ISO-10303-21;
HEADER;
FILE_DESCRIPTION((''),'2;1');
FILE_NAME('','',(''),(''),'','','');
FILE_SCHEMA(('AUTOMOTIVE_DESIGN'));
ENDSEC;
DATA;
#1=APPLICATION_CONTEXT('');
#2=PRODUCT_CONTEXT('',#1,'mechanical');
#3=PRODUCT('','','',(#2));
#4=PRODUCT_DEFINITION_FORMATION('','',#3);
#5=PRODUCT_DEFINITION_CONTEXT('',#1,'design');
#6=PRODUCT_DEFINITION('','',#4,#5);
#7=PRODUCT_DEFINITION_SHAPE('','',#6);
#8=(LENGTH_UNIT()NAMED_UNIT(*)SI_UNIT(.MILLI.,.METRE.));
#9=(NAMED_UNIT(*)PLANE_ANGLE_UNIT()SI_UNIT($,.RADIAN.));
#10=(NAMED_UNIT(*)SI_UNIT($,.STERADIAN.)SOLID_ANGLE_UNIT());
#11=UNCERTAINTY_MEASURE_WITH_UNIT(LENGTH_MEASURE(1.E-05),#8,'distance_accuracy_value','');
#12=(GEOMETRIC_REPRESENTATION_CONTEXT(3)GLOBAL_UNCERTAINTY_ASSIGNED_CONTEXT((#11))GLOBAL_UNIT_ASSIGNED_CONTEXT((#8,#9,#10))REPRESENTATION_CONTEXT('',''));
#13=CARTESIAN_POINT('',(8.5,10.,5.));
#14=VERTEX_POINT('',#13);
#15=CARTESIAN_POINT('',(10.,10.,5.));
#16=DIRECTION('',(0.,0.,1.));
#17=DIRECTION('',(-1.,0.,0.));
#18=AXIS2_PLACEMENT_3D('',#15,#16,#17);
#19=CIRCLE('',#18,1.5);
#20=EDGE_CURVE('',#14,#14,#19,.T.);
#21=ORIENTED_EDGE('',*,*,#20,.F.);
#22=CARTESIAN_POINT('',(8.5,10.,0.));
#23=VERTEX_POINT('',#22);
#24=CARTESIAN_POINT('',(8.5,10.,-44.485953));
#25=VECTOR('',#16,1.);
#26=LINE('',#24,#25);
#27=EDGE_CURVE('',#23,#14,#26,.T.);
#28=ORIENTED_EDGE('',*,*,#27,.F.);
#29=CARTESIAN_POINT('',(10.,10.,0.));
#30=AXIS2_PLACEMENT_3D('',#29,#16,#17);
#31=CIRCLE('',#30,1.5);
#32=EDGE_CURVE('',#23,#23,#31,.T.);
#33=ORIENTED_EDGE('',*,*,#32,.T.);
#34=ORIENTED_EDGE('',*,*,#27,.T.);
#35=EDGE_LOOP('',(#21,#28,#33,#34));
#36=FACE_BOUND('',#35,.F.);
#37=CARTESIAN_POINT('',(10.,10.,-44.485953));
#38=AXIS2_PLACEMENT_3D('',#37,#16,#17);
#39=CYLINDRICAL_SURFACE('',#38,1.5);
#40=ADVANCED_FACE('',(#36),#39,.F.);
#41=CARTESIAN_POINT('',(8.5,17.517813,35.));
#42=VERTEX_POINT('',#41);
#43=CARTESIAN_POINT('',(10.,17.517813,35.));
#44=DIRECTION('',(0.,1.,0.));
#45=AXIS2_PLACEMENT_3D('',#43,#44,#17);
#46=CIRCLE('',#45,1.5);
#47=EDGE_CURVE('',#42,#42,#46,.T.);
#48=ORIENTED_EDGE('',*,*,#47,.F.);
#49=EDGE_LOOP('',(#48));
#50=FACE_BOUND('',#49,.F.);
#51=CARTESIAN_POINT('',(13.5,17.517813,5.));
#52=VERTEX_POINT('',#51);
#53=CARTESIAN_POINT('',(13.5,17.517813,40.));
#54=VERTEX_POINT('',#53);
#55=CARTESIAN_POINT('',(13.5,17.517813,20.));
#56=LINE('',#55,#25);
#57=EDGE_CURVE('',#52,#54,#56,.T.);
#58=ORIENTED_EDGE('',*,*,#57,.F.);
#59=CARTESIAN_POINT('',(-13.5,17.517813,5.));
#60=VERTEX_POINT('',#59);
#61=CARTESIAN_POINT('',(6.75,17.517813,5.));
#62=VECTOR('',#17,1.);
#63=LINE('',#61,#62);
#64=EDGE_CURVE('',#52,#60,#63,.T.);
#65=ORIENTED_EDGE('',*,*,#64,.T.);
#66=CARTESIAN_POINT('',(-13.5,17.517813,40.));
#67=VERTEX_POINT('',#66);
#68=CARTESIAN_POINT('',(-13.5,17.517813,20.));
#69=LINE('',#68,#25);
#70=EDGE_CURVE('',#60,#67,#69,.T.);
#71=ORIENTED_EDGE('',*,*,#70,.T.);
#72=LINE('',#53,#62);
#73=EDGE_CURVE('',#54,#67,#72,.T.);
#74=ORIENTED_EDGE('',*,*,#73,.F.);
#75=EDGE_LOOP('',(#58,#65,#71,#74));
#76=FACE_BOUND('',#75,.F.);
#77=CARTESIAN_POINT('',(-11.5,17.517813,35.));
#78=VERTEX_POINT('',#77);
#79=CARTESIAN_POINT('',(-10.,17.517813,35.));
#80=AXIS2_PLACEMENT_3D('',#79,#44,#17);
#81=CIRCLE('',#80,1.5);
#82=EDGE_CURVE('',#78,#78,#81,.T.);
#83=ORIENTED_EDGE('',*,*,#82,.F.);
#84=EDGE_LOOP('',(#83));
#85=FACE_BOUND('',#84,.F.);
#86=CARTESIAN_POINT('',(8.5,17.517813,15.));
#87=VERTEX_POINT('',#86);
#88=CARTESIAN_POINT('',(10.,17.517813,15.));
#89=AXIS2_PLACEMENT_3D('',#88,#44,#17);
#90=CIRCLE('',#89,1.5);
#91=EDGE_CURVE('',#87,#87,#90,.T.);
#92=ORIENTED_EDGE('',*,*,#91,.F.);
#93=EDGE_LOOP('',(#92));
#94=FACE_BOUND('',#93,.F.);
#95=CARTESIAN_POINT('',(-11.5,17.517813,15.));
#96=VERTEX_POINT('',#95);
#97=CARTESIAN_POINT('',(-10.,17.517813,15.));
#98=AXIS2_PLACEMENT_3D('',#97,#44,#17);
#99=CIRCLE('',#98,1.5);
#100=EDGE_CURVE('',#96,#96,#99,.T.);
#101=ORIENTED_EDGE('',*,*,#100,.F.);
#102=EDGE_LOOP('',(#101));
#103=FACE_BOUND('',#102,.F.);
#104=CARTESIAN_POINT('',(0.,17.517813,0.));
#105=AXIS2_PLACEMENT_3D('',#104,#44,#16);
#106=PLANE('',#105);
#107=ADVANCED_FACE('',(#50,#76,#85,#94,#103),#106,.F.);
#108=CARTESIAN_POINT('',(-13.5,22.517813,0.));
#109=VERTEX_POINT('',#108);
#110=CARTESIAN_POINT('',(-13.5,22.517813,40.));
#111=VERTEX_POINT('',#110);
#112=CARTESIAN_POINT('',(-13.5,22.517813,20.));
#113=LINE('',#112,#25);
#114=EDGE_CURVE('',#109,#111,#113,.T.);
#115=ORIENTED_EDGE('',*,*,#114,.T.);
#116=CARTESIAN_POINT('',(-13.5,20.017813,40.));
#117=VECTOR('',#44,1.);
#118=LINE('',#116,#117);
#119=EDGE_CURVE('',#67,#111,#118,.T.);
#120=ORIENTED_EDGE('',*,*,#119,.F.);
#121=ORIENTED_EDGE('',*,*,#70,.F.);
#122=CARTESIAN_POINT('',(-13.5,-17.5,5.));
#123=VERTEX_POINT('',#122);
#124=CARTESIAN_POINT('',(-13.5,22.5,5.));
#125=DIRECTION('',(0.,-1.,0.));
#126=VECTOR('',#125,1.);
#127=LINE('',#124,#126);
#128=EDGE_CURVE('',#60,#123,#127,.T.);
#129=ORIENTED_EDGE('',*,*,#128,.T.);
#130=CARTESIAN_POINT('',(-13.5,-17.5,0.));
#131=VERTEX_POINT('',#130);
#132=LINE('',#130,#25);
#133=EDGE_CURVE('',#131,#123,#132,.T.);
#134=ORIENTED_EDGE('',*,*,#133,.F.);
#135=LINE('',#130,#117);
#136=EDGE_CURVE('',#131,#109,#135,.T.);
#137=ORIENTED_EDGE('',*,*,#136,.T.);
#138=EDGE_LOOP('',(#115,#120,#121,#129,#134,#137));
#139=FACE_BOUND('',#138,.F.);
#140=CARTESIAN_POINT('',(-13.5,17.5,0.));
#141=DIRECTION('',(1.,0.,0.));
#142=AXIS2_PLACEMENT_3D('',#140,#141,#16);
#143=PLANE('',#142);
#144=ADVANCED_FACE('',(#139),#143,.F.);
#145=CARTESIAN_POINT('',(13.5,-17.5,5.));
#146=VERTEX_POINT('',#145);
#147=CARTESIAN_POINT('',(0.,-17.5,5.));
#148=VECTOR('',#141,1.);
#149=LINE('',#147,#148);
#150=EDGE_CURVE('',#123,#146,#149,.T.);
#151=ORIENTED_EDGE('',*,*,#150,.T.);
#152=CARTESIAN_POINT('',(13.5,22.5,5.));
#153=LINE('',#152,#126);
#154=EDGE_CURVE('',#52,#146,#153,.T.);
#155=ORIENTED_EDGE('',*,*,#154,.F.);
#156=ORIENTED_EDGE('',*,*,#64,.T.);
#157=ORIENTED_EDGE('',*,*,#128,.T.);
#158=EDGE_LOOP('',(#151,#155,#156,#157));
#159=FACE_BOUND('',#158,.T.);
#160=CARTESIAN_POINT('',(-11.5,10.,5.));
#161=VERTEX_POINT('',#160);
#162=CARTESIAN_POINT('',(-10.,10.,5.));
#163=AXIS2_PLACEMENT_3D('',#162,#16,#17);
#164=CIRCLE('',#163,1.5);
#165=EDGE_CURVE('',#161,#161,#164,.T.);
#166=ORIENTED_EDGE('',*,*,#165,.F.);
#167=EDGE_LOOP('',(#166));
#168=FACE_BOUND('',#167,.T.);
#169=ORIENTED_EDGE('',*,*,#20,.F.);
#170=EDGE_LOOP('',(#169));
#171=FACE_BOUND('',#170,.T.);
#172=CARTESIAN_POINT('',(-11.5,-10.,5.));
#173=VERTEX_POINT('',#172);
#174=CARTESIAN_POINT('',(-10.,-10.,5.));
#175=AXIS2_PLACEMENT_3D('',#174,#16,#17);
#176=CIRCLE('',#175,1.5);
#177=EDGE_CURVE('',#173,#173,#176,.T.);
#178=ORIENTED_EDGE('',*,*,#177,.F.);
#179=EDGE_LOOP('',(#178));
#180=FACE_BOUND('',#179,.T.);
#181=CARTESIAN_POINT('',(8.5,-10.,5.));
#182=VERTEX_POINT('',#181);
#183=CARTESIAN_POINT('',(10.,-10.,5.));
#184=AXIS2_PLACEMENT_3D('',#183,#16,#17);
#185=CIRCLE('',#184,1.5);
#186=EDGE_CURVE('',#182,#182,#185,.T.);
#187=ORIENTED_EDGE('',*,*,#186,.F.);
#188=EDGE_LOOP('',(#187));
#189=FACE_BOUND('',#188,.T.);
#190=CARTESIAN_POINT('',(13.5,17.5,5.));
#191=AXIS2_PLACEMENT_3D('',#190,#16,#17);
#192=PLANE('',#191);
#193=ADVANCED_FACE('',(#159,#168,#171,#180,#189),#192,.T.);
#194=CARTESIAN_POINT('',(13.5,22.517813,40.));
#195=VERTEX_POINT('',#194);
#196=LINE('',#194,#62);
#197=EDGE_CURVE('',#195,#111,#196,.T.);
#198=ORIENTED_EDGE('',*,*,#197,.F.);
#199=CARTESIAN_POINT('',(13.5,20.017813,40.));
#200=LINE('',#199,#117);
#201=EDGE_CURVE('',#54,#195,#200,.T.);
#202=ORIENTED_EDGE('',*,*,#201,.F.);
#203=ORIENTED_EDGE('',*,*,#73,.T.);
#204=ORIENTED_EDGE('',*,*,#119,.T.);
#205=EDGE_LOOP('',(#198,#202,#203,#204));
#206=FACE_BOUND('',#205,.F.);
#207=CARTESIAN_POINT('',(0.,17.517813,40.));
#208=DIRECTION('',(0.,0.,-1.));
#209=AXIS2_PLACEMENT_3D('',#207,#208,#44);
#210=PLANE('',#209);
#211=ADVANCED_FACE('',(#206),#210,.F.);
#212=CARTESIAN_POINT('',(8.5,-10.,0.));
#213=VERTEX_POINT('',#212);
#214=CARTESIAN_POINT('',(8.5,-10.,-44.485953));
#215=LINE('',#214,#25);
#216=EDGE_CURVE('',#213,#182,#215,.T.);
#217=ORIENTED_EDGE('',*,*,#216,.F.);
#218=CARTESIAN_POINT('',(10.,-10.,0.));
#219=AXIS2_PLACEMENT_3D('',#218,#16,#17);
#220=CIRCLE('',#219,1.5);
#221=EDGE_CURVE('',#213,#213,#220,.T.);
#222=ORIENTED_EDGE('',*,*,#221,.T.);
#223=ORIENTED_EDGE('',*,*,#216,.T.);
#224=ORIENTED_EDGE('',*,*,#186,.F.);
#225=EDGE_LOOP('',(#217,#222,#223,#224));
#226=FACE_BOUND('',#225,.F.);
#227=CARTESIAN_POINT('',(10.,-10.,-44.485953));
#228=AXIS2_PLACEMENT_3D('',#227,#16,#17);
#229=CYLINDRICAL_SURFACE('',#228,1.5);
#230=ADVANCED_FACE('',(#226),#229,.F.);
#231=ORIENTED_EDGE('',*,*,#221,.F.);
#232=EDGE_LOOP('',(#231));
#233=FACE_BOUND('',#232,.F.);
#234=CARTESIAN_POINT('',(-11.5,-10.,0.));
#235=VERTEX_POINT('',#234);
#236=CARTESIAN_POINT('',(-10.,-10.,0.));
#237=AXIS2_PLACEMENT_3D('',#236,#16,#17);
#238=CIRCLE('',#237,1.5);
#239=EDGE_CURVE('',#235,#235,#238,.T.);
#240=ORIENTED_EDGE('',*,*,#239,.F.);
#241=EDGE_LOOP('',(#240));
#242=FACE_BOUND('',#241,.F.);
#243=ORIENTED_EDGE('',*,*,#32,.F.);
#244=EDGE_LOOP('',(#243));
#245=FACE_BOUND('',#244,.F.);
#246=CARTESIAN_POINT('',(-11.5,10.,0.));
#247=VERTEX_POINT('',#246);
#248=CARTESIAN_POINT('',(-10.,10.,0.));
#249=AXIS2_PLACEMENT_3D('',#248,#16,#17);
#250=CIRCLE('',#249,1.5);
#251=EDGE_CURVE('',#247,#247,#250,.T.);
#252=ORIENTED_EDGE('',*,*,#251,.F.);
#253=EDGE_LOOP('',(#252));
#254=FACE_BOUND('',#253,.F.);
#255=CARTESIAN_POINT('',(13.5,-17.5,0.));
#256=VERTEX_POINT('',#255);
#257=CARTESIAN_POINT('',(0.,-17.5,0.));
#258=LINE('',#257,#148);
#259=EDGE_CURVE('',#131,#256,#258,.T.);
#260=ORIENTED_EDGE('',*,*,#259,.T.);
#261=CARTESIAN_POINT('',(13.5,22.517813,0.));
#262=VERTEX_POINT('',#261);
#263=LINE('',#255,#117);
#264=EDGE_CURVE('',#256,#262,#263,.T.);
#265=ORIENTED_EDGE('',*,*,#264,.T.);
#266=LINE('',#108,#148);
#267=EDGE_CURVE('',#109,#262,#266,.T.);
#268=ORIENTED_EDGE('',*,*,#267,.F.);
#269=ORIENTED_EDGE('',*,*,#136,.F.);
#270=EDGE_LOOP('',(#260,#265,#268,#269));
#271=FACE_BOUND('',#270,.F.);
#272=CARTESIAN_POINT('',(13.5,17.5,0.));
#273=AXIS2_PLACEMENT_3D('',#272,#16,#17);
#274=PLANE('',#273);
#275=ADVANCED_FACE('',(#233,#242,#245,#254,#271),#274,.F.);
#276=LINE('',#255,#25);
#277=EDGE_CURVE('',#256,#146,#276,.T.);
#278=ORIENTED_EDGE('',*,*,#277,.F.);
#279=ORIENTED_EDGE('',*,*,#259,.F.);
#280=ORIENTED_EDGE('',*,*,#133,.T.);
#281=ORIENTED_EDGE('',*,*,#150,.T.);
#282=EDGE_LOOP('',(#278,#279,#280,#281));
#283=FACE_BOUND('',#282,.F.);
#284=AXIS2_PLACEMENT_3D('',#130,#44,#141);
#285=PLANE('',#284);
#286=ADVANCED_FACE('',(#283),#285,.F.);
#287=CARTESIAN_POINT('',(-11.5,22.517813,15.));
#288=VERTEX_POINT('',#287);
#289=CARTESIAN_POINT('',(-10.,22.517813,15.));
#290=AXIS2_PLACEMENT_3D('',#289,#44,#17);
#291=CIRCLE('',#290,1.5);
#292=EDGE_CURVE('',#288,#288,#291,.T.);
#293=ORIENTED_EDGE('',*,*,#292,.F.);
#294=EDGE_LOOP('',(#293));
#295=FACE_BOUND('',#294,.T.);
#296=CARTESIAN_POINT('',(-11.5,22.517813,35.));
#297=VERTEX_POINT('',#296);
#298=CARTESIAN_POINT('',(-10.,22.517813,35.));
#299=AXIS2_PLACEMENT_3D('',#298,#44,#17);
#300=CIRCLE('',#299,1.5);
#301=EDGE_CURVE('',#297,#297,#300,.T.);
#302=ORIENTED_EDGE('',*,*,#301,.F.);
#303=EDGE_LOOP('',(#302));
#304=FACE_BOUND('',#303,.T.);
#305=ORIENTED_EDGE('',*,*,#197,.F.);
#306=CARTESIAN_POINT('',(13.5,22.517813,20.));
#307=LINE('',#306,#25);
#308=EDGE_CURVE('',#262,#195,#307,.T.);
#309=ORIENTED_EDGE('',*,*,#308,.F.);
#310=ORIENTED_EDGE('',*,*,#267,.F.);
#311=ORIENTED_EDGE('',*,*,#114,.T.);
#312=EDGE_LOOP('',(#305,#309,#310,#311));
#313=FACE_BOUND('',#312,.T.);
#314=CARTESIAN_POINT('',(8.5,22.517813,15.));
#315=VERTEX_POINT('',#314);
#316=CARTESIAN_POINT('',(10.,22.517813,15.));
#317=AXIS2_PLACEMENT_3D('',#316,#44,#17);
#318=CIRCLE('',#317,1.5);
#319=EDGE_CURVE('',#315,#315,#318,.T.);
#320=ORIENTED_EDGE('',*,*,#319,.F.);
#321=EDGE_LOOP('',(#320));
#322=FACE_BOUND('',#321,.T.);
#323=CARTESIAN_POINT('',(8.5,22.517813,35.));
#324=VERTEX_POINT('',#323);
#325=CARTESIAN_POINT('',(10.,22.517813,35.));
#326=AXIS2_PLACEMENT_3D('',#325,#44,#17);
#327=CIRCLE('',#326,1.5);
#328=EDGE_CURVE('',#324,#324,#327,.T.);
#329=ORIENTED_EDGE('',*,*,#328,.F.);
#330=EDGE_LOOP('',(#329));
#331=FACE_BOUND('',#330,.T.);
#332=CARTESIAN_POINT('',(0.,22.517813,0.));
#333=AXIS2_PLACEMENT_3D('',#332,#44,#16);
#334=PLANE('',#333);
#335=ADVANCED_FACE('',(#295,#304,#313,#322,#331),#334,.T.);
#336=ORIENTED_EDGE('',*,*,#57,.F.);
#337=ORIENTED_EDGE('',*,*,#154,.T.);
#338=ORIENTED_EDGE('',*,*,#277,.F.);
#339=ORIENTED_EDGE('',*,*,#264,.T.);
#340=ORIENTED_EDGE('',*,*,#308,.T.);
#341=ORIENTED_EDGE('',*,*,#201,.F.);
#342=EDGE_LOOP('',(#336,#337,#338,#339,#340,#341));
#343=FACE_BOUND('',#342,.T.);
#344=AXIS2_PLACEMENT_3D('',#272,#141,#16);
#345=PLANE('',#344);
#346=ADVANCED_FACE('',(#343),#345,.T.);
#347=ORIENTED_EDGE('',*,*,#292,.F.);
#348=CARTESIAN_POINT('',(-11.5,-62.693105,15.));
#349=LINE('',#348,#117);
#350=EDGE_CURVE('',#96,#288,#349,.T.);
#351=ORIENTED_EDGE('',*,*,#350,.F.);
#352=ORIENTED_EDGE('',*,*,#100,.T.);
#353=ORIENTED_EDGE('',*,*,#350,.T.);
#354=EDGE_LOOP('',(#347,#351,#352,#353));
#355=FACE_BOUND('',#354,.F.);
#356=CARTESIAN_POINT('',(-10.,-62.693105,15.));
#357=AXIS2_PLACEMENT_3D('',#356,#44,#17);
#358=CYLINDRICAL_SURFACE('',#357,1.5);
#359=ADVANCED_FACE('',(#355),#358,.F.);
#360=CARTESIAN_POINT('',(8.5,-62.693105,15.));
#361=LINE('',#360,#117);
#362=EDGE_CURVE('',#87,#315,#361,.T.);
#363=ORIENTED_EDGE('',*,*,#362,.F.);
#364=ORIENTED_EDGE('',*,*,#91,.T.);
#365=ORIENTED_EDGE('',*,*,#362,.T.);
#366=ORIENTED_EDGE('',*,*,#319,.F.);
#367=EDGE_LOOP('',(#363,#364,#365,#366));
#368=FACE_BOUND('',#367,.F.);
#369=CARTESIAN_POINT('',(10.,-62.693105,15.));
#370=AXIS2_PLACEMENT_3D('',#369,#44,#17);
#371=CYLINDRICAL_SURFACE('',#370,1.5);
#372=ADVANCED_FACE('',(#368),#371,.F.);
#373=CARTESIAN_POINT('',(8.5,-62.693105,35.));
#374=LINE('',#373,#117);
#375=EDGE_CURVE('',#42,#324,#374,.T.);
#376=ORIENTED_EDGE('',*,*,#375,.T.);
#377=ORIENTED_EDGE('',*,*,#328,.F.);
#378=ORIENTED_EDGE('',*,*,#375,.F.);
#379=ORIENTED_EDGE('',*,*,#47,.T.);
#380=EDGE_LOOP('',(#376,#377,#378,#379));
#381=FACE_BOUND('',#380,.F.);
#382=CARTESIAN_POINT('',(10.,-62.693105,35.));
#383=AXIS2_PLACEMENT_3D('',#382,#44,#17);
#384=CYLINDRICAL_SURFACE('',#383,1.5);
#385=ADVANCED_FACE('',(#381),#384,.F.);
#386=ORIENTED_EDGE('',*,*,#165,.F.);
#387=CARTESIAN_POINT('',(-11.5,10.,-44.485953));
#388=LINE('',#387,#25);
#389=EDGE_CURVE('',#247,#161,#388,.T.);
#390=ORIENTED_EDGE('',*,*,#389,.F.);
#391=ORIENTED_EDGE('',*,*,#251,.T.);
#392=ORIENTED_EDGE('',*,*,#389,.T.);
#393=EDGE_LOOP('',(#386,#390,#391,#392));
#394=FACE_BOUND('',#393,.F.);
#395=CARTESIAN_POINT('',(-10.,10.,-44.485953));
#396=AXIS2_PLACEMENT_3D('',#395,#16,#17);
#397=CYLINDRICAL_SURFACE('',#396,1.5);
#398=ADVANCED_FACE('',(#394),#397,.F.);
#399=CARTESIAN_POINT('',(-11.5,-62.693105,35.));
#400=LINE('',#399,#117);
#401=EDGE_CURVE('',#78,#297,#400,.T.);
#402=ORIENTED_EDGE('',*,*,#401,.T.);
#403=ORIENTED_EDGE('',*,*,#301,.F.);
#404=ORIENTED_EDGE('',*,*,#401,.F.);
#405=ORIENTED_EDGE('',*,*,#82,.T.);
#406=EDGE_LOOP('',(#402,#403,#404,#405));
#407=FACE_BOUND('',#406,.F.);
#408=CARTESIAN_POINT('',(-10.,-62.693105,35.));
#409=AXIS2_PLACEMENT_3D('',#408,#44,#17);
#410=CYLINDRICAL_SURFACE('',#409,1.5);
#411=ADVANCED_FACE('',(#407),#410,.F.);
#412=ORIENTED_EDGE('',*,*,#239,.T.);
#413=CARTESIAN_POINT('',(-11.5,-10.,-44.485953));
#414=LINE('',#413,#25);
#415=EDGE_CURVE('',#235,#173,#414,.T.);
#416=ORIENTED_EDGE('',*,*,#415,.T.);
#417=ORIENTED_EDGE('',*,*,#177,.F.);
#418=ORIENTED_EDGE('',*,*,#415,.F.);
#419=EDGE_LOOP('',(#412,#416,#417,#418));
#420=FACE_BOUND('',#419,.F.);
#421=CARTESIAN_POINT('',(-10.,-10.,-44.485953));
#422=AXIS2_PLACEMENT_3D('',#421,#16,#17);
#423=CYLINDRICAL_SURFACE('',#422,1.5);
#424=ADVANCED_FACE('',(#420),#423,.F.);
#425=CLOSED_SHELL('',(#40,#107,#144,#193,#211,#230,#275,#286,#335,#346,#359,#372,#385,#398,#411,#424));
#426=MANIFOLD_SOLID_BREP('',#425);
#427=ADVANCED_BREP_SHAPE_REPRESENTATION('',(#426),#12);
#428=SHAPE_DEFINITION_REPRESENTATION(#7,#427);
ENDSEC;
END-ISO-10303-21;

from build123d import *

# Parameters (mm, degrees)
F0_W      = 27
F0_H      = 35
F1_DEPTH  = 5
F2_D      = 3
F1_FACE_W = 27
F1_FACE_H = 5
F3_DEPTH  = 5
F4_W      = 5
F4_H      = 40
F5_DEPTH  = 13.5
F7_D      = 3


with BuildPart() as f1:
    # F0 (on Top) → F1 (new body)
    with BuildSketch(Plane.XY):
        Rectangle(F0_W, F0_H)
    extrude(amount=F1_DEPTH)

    # F2 (through all)
    with Locations(Plane(origin=(0, 0, 0), x_dir=(1, 0, 0), z_dir=(0, 0, -1))):
        with Locations((-10, 10), (10, 10), (10, -10), (-10, -10)):
            Hole(F2_D / 2)

    # F1_face (on face) → F3 (join)
    with BuildSketch(Plane(origin=(0, 17.5, 2.5), x_dir=(-1, 0, 0), z_dir=(0, 1, 0))):
        Rectangle(F1_FACE_W, F1_FACE_H)
    extrude(amount=F3_DEPTH)

    # F4 (on Right) → F5 (join, symmetric)
    with BuildSketch(Plane.YZ):
        with Locations((20.017813, 20)):
            Rectangle(F4_W, F4_H)
    extrude(amount=F5_DEPTH, both=True)

    # F7 (through all)
    with Locations(Plane.XZ):
        with Locations((-10, 35), (10, 35), (10, 15), (-10, 15)):
            Hole(F7_D / 2)


solid = f1.part
